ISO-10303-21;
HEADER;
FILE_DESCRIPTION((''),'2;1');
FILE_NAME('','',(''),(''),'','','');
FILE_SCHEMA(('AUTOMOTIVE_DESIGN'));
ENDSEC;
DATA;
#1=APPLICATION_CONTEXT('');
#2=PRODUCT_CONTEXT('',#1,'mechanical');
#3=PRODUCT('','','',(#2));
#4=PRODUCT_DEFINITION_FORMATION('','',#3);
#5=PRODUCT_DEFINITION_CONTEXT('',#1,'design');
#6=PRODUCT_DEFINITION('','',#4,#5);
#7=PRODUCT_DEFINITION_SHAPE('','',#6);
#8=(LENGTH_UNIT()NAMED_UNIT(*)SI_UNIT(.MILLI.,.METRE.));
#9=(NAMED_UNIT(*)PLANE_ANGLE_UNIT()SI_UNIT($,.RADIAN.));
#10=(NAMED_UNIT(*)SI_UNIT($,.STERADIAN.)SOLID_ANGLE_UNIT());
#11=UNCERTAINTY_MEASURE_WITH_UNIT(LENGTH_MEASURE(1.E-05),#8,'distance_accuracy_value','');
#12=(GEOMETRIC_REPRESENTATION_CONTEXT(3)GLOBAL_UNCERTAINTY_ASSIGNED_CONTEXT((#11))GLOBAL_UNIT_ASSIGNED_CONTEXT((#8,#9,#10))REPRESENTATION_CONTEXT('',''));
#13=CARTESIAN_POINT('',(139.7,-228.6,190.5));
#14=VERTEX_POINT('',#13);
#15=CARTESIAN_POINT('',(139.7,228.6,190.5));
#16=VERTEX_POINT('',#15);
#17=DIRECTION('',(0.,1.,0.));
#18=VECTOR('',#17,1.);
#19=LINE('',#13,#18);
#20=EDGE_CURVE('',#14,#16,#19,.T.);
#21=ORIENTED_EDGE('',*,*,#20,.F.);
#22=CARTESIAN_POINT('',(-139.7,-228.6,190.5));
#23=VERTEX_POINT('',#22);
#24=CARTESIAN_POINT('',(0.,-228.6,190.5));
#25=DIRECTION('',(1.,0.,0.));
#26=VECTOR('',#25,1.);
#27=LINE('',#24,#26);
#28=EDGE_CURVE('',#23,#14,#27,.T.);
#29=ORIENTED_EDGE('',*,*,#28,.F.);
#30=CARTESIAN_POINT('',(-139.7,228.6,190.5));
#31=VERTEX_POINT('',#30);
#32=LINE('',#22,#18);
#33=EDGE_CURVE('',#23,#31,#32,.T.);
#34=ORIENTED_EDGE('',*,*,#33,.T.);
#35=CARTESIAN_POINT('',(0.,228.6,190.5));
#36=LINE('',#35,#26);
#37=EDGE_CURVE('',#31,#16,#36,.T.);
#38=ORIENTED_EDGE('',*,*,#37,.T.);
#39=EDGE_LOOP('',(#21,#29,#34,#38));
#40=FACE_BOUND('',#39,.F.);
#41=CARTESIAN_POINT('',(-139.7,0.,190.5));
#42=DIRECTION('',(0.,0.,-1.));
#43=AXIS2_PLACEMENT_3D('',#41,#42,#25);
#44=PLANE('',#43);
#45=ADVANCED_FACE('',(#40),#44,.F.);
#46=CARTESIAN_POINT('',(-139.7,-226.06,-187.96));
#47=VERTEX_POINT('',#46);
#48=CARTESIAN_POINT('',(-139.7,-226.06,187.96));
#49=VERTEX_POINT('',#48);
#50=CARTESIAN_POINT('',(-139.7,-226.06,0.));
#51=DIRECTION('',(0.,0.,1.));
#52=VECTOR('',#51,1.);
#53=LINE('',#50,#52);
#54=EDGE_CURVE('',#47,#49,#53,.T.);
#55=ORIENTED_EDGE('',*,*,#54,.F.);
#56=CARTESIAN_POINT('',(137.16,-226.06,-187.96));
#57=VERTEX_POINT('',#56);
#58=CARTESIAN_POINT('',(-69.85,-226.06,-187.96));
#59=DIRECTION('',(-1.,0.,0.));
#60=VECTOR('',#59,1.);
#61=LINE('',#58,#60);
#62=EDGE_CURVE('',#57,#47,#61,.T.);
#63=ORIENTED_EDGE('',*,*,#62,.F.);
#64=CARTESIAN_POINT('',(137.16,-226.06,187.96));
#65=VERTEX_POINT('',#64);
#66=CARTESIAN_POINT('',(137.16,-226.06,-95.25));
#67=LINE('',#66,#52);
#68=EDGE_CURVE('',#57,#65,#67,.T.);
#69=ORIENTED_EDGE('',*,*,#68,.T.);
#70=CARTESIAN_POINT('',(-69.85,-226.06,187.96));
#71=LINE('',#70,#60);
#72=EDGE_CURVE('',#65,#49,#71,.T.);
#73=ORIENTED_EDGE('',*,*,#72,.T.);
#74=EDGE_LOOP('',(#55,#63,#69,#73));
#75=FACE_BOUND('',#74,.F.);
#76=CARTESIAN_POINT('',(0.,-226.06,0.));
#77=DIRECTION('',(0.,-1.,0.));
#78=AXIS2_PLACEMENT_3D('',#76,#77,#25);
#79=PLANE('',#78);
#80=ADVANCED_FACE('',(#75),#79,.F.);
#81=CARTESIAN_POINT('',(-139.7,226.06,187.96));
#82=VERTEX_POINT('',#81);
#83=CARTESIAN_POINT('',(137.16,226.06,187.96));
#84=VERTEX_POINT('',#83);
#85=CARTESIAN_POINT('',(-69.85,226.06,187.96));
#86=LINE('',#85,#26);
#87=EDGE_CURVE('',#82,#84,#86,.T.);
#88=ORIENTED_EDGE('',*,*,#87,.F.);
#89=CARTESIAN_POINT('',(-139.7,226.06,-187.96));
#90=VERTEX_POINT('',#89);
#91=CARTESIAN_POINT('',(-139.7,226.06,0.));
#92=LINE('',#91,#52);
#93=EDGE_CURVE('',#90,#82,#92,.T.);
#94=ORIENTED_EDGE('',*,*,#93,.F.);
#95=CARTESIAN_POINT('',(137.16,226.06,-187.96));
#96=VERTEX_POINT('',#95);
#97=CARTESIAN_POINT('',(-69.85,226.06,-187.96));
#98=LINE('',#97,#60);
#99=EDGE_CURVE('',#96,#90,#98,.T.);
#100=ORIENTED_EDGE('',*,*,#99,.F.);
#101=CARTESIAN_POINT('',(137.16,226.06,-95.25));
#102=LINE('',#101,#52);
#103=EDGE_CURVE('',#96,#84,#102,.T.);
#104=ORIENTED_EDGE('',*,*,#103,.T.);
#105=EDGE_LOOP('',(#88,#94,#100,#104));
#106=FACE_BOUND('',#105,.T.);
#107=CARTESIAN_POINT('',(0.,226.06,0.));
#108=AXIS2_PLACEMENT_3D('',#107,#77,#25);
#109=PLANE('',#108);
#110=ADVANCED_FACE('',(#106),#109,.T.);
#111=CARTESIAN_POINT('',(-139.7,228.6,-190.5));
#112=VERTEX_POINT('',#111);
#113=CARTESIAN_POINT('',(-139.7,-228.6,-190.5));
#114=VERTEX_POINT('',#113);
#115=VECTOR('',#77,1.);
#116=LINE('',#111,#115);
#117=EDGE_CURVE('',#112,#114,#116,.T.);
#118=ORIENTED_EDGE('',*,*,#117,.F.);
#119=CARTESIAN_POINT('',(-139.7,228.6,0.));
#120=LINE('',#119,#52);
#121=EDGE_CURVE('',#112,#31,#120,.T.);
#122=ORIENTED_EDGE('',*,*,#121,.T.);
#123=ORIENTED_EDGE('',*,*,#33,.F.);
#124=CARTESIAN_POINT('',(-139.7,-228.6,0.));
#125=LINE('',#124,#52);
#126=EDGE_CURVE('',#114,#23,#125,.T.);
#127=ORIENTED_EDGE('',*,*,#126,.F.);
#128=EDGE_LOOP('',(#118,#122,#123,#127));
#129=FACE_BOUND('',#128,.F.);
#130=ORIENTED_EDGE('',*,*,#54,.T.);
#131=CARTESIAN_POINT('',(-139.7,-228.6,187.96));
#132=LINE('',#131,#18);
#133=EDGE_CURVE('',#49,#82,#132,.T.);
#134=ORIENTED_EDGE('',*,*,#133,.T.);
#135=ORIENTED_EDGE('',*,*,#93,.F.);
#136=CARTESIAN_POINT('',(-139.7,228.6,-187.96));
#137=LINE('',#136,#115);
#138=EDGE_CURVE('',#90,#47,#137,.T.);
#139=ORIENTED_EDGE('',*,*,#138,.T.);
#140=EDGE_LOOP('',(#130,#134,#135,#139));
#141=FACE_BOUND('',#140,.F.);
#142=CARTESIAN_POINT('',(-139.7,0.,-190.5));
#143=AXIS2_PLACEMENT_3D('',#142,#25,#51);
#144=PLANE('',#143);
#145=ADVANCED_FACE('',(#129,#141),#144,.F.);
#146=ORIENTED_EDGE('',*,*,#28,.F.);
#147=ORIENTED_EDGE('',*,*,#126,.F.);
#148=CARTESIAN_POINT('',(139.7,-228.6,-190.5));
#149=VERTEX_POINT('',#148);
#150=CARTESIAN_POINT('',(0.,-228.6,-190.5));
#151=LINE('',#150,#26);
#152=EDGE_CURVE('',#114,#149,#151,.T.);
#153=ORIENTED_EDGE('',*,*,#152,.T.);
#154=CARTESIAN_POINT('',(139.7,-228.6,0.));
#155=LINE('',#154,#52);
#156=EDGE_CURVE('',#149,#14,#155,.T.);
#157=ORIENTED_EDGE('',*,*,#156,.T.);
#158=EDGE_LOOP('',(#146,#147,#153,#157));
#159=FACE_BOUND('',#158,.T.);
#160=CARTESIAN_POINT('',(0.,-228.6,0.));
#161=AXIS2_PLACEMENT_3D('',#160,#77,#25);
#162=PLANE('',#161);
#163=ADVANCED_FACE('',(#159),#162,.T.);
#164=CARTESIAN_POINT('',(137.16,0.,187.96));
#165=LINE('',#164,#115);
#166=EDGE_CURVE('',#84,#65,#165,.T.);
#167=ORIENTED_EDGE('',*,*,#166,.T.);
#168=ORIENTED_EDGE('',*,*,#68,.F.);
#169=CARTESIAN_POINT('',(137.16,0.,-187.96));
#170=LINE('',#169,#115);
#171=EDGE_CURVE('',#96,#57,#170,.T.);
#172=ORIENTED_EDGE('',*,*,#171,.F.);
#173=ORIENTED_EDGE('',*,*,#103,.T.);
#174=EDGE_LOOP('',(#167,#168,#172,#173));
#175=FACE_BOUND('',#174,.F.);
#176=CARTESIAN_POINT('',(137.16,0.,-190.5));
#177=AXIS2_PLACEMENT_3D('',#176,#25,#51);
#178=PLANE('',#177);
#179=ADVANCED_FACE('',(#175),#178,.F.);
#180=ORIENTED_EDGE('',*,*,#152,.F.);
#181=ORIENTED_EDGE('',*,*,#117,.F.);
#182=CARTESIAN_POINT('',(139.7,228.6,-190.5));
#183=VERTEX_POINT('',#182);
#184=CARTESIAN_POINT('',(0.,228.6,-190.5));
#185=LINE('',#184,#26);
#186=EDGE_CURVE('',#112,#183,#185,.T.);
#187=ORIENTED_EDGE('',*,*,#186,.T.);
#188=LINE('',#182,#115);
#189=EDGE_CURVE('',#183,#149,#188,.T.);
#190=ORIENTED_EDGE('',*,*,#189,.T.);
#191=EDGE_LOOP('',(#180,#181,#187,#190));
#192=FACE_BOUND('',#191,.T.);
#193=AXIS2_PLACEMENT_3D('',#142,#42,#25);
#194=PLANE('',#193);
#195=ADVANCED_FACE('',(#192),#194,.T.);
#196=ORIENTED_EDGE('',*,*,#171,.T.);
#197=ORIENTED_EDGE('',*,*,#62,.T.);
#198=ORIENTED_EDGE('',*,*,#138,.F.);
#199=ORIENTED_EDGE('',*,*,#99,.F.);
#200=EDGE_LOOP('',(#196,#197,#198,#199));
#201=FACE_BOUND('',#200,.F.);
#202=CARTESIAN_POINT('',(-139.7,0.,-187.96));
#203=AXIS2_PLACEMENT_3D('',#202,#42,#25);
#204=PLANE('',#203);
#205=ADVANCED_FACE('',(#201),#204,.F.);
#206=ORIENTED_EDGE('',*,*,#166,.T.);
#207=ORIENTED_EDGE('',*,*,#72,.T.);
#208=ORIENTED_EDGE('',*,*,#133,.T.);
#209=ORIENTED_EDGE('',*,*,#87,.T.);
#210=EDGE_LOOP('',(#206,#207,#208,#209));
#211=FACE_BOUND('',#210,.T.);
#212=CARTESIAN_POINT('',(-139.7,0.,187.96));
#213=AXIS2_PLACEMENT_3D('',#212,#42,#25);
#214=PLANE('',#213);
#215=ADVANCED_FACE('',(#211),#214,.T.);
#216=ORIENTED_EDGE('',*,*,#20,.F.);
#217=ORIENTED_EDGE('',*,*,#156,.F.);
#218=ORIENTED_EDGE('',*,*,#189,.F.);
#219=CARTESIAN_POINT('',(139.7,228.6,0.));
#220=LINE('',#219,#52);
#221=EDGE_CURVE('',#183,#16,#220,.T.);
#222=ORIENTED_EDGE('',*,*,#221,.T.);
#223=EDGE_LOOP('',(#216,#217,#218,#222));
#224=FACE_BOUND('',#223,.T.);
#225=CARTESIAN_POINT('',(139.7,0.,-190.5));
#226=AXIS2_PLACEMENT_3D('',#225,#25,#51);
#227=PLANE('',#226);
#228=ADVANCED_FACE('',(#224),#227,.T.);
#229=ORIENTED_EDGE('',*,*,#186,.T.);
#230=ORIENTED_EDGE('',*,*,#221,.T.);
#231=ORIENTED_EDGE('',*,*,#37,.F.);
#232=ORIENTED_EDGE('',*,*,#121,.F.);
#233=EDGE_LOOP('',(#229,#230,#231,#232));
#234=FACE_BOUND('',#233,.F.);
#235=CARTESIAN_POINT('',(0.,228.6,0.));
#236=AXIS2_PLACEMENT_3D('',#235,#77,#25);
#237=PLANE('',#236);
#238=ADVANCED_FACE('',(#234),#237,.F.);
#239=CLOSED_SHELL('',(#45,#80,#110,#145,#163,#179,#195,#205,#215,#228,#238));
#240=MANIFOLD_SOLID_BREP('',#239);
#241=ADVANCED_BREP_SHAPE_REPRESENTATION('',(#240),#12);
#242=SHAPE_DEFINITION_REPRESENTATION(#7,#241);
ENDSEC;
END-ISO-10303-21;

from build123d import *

# Parameters (mm, degrees)
F0_W     = 279.4
F0_H     = 381
F1_DEPTH = 228.6
F2_T     = -2.54


with BuildPart() as f1:
    # F0 (on Front) → F1 (new body, symmetric)
    with BuildSketch(Plane.XZ):
        Rectangle(F0_W, F0_H)
    extrude(amount=F1_DEPTH, both=True)

    # F2
    f2_openings = [f1.faces().sort_by_distance(p)[0] for p in [
        (-139.7, 0, 0),
    ]]
    offset(amount=F2_T, openings=f2_openings)


solid = f1.part
